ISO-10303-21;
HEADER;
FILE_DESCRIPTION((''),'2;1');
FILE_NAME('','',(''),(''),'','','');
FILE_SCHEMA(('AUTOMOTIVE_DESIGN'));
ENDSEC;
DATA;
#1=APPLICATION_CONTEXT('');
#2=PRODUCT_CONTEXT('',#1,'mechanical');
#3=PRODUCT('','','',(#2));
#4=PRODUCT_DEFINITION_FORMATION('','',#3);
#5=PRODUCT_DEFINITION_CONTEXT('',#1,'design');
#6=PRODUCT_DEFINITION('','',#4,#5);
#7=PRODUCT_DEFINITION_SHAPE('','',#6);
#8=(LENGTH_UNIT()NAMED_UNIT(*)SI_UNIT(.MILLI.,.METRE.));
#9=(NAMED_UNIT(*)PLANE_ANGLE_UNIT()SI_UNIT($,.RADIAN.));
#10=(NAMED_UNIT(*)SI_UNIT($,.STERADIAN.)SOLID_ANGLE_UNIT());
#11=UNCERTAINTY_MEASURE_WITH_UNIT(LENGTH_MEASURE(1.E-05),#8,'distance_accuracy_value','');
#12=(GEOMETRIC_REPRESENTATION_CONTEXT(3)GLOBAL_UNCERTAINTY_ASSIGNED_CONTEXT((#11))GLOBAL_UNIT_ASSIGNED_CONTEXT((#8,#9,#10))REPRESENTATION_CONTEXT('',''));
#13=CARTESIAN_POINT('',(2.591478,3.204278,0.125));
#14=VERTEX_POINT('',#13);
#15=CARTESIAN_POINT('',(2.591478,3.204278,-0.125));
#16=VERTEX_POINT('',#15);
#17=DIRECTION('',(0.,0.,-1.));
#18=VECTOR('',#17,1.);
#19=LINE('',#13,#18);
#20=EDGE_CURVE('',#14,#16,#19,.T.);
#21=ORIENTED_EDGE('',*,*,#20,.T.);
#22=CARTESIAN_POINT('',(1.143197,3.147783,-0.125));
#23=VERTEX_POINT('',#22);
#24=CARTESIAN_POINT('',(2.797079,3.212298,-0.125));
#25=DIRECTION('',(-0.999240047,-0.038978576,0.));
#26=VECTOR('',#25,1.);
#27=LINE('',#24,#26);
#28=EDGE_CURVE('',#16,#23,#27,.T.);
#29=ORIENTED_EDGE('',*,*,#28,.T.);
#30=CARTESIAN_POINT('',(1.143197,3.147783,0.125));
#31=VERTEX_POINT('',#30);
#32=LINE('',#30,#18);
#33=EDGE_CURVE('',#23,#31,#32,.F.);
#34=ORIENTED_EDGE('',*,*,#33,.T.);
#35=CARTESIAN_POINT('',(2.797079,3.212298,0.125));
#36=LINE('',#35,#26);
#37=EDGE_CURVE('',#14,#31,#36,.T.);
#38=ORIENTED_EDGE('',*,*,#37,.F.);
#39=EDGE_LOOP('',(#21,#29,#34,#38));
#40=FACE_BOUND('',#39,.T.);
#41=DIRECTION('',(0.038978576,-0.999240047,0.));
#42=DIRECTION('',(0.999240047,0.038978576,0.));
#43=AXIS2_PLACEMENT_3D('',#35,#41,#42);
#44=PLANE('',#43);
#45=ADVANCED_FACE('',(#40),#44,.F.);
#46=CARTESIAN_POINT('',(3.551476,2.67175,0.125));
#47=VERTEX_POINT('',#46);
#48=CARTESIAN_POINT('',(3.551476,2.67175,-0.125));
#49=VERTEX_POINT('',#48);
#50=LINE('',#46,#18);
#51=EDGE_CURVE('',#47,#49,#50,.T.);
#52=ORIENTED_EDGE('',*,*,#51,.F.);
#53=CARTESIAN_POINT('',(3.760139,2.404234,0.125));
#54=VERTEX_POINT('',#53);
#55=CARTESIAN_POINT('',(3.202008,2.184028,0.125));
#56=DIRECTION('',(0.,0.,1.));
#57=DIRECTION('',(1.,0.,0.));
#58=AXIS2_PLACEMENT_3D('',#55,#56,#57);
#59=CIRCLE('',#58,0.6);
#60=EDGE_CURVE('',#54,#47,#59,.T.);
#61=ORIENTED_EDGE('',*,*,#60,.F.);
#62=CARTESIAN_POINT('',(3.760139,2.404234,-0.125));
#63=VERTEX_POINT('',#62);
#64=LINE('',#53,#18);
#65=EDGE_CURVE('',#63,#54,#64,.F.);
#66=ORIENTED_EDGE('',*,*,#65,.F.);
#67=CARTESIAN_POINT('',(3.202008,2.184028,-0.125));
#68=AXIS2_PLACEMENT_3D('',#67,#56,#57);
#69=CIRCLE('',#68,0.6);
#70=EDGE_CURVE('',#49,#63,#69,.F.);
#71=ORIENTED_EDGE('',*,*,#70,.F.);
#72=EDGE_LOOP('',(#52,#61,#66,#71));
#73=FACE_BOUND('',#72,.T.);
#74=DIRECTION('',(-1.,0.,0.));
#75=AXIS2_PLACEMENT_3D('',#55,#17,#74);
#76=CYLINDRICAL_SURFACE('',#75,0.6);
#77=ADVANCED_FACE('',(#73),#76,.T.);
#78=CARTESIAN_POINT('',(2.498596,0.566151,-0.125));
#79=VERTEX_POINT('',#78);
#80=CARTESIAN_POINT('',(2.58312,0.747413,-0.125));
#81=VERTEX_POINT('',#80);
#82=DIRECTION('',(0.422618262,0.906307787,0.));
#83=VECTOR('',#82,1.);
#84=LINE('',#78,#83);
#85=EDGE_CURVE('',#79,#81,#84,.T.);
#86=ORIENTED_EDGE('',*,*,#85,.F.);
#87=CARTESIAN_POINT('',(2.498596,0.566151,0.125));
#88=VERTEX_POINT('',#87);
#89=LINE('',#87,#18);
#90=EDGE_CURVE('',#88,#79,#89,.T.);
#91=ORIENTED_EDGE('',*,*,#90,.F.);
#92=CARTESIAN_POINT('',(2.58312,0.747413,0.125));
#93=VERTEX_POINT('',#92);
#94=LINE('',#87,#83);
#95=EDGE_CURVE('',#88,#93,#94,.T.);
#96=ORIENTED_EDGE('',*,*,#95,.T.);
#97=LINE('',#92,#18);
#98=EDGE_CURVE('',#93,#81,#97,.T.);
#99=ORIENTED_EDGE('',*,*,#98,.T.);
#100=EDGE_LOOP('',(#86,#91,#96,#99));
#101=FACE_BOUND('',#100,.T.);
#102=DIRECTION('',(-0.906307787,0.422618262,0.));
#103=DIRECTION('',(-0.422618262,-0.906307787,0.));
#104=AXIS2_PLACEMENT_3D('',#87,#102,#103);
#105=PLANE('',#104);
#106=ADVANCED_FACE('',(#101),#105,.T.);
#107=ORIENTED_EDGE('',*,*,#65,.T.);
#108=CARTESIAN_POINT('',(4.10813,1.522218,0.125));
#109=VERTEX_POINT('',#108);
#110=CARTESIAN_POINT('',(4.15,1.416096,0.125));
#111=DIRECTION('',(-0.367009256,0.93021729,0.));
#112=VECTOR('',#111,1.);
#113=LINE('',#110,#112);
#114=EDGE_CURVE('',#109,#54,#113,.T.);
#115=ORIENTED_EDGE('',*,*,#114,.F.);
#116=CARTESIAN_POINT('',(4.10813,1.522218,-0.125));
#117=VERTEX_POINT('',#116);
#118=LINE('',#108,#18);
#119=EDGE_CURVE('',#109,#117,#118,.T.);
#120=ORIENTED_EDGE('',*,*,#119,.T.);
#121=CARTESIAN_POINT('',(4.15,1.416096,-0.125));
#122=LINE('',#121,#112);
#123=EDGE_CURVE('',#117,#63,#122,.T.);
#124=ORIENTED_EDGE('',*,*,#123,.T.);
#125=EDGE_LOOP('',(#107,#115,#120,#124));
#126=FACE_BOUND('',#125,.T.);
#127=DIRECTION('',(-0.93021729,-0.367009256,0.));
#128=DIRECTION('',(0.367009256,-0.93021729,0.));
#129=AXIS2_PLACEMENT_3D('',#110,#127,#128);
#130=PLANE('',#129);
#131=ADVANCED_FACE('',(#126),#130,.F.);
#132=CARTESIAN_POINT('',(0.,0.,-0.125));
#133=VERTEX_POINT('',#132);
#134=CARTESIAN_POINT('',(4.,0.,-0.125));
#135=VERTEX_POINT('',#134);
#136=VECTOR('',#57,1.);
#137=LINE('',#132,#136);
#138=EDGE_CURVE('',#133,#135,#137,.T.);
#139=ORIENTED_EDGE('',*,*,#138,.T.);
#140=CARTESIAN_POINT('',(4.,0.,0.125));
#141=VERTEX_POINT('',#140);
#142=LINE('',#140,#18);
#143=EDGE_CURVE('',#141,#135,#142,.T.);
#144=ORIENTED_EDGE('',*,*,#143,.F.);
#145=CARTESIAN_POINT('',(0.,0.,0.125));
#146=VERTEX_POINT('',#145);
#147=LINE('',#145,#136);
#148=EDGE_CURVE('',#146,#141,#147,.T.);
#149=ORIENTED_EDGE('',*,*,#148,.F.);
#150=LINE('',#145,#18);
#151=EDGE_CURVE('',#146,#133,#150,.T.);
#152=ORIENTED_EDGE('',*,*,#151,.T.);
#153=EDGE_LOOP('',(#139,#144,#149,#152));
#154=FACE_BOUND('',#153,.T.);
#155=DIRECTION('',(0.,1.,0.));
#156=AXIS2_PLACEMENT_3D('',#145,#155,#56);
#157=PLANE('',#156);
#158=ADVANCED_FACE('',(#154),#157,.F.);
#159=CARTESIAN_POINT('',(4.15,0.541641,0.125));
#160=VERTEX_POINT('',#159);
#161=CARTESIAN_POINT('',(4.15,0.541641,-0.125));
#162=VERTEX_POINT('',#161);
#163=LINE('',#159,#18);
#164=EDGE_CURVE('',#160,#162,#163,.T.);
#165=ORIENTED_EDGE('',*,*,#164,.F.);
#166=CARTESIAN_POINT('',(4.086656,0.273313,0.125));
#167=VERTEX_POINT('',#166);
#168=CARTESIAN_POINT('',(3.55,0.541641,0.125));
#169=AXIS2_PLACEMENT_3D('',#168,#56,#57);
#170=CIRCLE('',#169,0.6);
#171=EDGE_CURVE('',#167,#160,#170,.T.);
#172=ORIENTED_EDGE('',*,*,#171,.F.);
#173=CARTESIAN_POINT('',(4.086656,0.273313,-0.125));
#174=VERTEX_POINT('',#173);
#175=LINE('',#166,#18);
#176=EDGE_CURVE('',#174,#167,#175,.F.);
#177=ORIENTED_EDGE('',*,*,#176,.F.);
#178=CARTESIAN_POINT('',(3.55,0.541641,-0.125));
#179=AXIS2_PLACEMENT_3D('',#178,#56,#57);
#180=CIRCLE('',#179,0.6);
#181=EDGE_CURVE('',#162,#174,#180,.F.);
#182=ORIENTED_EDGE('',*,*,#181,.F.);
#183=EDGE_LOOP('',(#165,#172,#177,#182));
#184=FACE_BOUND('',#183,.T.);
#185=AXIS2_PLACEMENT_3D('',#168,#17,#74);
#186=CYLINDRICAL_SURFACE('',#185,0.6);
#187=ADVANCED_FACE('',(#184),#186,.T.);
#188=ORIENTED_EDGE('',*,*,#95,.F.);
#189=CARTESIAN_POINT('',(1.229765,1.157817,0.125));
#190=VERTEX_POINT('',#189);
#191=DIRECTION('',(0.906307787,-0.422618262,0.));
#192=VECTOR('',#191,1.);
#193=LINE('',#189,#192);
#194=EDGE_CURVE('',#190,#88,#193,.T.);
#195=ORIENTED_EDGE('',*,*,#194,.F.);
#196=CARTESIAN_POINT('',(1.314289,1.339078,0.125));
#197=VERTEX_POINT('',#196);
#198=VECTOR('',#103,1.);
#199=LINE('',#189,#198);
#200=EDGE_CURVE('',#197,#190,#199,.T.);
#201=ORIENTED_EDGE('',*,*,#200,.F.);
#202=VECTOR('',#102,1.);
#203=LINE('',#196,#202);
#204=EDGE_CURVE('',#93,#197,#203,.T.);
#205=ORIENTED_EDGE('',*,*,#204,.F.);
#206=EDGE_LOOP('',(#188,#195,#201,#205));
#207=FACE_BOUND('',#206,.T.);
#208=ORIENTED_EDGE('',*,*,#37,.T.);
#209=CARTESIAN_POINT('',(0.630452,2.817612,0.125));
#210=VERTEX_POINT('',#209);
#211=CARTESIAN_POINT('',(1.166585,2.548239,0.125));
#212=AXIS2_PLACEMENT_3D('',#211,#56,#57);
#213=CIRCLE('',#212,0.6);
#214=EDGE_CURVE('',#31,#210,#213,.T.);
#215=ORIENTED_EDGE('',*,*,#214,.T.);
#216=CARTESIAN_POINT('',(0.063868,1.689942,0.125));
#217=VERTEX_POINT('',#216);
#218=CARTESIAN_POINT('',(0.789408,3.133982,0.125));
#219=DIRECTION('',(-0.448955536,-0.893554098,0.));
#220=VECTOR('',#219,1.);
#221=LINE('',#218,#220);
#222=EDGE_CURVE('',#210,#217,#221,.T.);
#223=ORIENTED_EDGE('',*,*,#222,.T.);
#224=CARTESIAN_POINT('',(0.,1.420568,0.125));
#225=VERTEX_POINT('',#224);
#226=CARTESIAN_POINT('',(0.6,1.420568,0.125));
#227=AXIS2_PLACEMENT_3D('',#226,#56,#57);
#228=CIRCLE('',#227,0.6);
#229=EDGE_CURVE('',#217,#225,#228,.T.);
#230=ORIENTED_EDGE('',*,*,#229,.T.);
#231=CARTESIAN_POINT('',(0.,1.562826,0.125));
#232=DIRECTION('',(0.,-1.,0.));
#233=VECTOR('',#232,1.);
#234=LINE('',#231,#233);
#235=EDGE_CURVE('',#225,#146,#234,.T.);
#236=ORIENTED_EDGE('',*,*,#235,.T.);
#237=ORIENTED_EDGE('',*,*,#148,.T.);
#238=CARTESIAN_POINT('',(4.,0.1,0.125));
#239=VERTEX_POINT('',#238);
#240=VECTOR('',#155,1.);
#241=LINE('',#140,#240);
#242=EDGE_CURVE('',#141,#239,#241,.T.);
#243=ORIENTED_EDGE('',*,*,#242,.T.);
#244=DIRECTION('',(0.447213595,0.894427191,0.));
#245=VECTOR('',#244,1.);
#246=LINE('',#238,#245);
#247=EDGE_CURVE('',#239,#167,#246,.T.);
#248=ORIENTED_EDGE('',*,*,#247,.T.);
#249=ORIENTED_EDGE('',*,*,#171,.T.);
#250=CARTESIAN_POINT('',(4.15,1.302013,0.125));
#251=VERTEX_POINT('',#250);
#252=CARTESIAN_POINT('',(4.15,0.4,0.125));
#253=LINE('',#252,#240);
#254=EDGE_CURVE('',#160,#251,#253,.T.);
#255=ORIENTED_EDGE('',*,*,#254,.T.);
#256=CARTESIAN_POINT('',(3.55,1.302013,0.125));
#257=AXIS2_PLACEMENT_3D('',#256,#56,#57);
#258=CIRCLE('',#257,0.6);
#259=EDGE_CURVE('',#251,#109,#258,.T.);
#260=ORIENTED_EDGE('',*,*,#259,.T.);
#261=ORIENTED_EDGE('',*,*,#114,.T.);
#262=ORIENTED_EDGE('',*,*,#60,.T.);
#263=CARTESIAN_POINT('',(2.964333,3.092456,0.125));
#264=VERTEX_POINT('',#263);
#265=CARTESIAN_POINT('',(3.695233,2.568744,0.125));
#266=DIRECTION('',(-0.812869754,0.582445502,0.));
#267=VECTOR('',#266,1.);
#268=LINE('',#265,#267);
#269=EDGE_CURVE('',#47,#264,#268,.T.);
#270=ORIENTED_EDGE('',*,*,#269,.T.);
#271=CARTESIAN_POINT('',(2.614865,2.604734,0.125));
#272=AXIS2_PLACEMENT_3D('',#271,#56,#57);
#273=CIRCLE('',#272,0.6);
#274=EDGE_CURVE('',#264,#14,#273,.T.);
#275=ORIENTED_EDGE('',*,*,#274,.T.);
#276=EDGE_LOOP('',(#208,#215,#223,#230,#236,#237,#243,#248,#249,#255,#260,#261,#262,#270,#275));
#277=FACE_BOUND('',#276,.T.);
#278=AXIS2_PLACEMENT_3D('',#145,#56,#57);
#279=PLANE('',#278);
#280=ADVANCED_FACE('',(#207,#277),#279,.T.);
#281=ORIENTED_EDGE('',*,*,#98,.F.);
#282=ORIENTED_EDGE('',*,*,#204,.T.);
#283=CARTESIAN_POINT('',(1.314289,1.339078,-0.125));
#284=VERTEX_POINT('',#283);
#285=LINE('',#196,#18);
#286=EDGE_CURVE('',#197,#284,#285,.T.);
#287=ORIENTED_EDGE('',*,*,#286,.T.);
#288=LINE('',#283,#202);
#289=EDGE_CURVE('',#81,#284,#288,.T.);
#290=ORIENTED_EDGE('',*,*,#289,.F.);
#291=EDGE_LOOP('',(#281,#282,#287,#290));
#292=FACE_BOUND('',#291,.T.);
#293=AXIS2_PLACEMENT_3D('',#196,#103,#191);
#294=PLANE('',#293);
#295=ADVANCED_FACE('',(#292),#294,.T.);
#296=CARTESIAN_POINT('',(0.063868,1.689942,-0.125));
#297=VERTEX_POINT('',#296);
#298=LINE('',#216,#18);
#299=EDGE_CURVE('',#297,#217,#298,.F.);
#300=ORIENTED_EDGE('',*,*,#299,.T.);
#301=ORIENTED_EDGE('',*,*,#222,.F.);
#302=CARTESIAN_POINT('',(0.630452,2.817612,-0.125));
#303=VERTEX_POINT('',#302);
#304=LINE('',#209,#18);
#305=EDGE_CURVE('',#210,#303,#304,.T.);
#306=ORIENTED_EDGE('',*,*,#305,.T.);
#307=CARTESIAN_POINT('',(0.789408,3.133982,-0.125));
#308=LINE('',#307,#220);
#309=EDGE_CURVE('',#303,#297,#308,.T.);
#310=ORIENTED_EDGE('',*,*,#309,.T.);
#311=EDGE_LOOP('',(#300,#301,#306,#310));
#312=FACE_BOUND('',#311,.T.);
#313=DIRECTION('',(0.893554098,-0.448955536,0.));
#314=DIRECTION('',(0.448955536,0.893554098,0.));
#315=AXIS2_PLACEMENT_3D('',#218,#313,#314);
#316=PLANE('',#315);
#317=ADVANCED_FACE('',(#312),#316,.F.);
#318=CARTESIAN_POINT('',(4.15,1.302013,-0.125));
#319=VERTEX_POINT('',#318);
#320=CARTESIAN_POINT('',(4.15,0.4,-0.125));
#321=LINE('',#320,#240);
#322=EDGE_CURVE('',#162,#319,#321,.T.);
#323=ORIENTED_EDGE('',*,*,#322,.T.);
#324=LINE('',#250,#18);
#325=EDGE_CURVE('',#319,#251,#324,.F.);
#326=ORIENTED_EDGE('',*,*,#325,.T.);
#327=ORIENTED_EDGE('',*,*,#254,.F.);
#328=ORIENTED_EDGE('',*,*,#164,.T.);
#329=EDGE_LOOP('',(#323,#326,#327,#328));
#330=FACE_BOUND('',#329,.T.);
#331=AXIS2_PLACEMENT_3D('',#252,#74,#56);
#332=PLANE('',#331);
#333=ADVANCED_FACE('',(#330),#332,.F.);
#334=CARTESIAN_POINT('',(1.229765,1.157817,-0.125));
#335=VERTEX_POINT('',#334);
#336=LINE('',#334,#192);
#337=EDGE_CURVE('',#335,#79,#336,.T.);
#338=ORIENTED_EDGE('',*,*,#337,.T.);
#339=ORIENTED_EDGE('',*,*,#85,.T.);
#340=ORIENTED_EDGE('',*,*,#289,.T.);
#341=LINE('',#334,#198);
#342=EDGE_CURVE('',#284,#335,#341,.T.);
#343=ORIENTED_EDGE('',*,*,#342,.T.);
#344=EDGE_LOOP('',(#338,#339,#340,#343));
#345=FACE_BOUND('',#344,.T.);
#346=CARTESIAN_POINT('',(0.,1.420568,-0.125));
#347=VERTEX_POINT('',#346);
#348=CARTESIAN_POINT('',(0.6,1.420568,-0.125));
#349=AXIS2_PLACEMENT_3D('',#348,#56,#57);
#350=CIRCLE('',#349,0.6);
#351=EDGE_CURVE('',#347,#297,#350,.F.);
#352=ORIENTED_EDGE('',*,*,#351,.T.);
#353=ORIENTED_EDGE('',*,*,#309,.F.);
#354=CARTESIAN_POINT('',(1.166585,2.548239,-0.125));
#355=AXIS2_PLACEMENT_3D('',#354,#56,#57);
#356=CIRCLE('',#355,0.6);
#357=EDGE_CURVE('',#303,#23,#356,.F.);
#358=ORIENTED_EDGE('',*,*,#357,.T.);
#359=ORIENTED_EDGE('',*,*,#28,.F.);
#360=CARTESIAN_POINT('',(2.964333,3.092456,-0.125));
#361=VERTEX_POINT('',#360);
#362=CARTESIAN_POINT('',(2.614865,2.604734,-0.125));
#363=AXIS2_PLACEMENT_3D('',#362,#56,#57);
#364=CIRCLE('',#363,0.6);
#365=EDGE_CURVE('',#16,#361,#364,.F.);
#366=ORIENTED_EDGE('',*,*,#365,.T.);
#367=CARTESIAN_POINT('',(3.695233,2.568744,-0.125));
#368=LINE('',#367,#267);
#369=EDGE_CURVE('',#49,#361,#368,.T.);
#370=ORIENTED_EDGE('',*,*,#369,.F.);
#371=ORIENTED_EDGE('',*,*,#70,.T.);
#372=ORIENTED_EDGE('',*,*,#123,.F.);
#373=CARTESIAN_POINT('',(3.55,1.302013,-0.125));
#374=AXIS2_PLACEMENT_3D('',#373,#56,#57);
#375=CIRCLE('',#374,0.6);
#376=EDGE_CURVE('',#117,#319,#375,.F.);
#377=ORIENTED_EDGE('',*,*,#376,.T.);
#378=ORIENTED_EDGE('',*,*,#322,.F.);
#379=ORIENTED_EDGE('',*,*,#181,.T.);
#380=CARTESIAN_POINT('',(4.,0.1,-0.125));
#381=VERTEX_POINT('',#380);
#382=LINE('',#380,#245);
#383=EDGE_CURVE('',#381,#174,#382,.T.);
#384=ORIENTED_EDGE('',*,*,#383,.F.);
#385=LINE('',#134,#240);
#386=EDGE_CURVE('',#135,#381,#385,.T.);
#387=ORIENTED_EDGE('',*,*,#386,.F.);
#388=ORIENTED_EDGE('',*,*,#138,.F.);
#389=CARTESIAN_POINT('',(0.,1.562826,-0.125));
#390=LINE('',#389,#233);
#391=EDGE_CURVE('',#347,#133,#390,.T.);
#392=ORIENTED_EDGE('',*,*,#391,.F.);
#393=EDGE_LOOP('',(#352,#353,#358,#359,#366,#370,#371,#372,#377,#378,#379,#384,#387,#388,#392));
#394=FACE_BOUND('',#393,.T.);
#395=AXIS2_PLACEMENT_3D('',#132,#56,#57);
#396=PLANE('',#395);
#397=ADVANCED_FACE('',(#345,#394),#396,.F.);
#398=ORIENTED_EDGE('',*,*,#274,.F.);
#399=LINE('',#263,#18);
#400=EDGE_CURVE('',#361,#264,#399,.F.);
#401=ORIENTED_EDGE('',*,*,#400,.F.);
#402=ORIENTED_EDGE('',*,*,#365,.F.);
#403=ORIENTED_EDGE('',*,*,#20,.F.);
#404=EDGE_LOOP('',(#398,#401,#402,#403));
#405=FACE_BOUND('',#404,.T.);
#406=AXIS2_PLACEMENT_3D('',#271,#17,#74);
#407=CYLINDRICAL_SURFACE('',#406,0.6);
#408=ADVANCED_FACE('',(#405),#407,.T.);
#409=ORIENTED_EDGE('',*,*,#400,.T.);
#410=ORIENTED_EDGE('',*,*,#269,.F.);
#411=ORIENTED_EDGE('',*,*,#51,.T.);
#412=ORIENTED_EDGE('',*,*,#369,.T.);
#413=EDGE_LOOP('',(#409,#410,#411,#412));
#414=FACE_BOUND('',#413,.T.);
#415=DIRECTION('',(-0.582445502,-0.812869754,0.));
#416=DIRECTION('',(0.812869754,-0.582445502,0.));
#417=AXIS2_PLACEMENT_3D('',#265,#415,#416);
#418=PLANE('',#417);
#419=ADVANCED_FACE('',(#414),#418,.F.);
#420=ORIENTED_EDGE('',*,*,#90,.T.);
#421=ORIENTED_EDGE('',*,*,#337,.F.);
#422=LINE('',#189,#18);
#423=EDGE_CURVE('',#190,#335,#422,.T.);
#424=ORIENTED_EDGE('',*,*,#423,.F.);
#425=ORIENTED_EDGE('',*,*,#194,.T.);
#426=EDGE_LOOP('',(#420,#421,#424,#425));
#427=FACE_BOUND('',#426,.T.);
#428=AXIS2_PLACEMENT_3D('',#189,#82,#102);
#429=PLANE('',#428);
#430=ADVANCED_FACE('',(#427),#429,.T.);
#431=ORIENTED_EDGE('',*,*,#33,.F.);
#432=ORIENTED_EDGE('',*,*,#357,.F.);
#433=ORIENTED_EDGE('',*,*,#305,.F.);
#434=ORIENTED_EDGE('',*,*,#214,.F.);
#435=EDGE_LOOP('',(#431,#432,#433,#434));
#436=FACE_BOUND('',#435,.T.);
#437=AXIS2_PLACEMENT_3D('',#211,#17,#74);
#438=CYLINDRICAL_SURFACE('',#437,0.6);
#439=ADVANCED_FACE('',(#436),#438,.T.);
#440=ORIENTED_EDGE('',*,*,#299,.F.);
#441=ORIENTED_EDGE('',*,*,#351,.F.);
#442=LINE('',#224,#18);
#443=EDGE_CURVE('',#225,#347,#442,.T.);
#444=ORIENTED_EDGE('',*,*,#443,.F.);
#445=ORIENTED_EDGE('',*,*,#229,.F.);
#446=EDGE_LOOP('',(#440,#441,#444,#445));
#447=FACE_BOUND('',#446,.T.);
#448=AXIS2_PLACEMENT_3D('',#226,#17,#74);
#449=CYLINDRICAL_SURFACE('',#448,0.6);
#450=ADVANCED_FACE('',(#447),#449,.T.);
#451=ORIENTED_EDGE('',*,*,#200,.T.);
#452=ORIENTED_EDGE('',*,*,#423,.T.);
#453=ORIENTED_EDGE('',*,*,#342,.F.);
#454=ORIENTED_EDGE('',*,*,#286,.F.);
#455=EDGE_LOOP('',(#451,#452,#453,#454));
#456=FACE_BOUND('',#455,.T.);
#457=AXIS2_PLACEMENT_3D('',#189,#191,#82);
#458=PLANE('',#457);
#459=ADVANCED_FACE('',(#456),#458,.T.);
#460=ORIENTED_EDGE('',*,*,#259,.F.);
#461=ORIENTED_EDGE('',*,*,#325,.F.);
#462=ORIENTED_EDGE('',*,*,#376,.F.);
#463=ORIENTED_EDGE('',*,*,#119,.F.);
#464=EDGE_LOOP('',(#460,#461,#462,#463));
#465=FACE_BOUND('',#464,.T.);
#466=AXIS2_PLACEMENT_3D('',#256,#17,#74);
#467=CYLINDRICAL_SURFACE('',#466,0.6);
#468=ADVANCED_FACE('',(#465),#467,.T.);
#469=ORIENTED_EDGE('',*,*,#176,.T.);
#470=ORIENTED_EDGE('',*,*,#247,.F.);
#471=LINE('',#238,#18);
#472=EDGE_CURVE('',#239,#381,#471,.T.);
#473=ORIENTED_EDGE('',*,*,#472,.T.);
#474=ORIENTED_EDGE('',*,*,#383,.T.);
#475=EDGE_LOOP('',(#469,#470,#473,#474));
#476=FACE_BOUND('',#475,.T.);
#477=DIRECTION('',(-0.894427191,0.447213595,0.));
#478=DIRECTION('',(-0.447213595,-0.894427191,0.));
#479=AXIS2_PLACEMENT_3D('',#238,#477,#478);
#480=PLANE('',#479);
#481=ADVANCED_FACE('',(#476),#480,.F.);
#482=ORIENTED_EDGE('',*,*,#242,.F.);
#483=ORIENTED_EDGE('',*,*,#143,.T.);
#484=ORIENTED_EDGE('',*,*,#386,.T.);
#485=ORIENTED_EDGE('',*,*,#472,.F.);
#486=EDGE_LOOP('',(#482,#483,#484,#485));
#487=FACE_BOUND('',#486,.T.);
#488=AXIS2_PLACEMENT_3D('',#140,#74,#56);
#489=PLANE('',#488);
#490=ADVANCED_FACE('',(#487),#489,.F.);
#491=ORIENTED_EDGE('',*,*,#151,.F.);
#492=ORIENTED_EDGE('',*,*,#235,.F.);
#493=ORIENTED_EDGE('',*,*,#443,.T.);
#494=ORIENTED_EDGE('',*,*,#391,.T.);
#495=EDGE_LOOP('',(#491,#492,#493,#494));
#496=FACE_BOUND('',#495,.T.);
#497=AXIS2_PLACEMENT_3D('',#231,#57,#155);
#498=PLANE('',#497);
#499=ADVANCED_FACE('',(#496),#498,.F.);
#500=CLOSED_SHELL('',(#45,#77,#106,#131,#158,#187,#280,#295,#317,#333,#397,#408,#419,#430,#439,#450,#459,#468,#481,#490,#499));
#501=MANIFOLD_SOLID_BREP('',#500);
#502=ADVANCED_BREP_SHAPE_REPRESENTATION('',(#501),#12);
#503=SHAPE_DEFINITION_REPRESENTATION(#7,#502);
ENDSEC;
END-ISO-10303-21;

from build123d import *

# Parameters (mm, degrees)
BOSS_EXTRUDE1_DEPTH = 0.125
FILLET1_R           = 0.6


with BuildPart() as part:
    # frame_outline → Boss-Extrude1 (new, symmetric)
    with BuildSketch(Plane.XY):
        Polygon((0, 0), (4, 0), (4, 0.1), (4.15, 0.4), (4.15, 1.416096183), (3.695232724, 2.568743907), (2.797078859, 3.212298026), (0.789408464, 3.133982378), (0, 1.562826413), align=None)
        Polygon((1.229765114, 1.157816865), (2.498596016, 0.566151298), (2.583119668, 0.747412856), (1.314288766, 1.339078422), align=None, mode=Mode.SUBTRACT)
    extrude(amount=BOSS_EXTRUDE1_DEPTH, both=True)

    # Fillet1
    fillet1_edges = [part.edges().sort_by_distance(p)[0] for p in [
        (0, 1.562826413, 0),
        (0.789408464, 3.133982378, 0),
        (2.797078859, 3.212298026, 0),
        (3.695232724, 2.568743907, 0),
        (4.15, 1.416096183, 0),
        (4.15, 0.4, 0),
    ]]
    fillet(fillet1_edges, radius=FILLET1_R)


solid = part.part
